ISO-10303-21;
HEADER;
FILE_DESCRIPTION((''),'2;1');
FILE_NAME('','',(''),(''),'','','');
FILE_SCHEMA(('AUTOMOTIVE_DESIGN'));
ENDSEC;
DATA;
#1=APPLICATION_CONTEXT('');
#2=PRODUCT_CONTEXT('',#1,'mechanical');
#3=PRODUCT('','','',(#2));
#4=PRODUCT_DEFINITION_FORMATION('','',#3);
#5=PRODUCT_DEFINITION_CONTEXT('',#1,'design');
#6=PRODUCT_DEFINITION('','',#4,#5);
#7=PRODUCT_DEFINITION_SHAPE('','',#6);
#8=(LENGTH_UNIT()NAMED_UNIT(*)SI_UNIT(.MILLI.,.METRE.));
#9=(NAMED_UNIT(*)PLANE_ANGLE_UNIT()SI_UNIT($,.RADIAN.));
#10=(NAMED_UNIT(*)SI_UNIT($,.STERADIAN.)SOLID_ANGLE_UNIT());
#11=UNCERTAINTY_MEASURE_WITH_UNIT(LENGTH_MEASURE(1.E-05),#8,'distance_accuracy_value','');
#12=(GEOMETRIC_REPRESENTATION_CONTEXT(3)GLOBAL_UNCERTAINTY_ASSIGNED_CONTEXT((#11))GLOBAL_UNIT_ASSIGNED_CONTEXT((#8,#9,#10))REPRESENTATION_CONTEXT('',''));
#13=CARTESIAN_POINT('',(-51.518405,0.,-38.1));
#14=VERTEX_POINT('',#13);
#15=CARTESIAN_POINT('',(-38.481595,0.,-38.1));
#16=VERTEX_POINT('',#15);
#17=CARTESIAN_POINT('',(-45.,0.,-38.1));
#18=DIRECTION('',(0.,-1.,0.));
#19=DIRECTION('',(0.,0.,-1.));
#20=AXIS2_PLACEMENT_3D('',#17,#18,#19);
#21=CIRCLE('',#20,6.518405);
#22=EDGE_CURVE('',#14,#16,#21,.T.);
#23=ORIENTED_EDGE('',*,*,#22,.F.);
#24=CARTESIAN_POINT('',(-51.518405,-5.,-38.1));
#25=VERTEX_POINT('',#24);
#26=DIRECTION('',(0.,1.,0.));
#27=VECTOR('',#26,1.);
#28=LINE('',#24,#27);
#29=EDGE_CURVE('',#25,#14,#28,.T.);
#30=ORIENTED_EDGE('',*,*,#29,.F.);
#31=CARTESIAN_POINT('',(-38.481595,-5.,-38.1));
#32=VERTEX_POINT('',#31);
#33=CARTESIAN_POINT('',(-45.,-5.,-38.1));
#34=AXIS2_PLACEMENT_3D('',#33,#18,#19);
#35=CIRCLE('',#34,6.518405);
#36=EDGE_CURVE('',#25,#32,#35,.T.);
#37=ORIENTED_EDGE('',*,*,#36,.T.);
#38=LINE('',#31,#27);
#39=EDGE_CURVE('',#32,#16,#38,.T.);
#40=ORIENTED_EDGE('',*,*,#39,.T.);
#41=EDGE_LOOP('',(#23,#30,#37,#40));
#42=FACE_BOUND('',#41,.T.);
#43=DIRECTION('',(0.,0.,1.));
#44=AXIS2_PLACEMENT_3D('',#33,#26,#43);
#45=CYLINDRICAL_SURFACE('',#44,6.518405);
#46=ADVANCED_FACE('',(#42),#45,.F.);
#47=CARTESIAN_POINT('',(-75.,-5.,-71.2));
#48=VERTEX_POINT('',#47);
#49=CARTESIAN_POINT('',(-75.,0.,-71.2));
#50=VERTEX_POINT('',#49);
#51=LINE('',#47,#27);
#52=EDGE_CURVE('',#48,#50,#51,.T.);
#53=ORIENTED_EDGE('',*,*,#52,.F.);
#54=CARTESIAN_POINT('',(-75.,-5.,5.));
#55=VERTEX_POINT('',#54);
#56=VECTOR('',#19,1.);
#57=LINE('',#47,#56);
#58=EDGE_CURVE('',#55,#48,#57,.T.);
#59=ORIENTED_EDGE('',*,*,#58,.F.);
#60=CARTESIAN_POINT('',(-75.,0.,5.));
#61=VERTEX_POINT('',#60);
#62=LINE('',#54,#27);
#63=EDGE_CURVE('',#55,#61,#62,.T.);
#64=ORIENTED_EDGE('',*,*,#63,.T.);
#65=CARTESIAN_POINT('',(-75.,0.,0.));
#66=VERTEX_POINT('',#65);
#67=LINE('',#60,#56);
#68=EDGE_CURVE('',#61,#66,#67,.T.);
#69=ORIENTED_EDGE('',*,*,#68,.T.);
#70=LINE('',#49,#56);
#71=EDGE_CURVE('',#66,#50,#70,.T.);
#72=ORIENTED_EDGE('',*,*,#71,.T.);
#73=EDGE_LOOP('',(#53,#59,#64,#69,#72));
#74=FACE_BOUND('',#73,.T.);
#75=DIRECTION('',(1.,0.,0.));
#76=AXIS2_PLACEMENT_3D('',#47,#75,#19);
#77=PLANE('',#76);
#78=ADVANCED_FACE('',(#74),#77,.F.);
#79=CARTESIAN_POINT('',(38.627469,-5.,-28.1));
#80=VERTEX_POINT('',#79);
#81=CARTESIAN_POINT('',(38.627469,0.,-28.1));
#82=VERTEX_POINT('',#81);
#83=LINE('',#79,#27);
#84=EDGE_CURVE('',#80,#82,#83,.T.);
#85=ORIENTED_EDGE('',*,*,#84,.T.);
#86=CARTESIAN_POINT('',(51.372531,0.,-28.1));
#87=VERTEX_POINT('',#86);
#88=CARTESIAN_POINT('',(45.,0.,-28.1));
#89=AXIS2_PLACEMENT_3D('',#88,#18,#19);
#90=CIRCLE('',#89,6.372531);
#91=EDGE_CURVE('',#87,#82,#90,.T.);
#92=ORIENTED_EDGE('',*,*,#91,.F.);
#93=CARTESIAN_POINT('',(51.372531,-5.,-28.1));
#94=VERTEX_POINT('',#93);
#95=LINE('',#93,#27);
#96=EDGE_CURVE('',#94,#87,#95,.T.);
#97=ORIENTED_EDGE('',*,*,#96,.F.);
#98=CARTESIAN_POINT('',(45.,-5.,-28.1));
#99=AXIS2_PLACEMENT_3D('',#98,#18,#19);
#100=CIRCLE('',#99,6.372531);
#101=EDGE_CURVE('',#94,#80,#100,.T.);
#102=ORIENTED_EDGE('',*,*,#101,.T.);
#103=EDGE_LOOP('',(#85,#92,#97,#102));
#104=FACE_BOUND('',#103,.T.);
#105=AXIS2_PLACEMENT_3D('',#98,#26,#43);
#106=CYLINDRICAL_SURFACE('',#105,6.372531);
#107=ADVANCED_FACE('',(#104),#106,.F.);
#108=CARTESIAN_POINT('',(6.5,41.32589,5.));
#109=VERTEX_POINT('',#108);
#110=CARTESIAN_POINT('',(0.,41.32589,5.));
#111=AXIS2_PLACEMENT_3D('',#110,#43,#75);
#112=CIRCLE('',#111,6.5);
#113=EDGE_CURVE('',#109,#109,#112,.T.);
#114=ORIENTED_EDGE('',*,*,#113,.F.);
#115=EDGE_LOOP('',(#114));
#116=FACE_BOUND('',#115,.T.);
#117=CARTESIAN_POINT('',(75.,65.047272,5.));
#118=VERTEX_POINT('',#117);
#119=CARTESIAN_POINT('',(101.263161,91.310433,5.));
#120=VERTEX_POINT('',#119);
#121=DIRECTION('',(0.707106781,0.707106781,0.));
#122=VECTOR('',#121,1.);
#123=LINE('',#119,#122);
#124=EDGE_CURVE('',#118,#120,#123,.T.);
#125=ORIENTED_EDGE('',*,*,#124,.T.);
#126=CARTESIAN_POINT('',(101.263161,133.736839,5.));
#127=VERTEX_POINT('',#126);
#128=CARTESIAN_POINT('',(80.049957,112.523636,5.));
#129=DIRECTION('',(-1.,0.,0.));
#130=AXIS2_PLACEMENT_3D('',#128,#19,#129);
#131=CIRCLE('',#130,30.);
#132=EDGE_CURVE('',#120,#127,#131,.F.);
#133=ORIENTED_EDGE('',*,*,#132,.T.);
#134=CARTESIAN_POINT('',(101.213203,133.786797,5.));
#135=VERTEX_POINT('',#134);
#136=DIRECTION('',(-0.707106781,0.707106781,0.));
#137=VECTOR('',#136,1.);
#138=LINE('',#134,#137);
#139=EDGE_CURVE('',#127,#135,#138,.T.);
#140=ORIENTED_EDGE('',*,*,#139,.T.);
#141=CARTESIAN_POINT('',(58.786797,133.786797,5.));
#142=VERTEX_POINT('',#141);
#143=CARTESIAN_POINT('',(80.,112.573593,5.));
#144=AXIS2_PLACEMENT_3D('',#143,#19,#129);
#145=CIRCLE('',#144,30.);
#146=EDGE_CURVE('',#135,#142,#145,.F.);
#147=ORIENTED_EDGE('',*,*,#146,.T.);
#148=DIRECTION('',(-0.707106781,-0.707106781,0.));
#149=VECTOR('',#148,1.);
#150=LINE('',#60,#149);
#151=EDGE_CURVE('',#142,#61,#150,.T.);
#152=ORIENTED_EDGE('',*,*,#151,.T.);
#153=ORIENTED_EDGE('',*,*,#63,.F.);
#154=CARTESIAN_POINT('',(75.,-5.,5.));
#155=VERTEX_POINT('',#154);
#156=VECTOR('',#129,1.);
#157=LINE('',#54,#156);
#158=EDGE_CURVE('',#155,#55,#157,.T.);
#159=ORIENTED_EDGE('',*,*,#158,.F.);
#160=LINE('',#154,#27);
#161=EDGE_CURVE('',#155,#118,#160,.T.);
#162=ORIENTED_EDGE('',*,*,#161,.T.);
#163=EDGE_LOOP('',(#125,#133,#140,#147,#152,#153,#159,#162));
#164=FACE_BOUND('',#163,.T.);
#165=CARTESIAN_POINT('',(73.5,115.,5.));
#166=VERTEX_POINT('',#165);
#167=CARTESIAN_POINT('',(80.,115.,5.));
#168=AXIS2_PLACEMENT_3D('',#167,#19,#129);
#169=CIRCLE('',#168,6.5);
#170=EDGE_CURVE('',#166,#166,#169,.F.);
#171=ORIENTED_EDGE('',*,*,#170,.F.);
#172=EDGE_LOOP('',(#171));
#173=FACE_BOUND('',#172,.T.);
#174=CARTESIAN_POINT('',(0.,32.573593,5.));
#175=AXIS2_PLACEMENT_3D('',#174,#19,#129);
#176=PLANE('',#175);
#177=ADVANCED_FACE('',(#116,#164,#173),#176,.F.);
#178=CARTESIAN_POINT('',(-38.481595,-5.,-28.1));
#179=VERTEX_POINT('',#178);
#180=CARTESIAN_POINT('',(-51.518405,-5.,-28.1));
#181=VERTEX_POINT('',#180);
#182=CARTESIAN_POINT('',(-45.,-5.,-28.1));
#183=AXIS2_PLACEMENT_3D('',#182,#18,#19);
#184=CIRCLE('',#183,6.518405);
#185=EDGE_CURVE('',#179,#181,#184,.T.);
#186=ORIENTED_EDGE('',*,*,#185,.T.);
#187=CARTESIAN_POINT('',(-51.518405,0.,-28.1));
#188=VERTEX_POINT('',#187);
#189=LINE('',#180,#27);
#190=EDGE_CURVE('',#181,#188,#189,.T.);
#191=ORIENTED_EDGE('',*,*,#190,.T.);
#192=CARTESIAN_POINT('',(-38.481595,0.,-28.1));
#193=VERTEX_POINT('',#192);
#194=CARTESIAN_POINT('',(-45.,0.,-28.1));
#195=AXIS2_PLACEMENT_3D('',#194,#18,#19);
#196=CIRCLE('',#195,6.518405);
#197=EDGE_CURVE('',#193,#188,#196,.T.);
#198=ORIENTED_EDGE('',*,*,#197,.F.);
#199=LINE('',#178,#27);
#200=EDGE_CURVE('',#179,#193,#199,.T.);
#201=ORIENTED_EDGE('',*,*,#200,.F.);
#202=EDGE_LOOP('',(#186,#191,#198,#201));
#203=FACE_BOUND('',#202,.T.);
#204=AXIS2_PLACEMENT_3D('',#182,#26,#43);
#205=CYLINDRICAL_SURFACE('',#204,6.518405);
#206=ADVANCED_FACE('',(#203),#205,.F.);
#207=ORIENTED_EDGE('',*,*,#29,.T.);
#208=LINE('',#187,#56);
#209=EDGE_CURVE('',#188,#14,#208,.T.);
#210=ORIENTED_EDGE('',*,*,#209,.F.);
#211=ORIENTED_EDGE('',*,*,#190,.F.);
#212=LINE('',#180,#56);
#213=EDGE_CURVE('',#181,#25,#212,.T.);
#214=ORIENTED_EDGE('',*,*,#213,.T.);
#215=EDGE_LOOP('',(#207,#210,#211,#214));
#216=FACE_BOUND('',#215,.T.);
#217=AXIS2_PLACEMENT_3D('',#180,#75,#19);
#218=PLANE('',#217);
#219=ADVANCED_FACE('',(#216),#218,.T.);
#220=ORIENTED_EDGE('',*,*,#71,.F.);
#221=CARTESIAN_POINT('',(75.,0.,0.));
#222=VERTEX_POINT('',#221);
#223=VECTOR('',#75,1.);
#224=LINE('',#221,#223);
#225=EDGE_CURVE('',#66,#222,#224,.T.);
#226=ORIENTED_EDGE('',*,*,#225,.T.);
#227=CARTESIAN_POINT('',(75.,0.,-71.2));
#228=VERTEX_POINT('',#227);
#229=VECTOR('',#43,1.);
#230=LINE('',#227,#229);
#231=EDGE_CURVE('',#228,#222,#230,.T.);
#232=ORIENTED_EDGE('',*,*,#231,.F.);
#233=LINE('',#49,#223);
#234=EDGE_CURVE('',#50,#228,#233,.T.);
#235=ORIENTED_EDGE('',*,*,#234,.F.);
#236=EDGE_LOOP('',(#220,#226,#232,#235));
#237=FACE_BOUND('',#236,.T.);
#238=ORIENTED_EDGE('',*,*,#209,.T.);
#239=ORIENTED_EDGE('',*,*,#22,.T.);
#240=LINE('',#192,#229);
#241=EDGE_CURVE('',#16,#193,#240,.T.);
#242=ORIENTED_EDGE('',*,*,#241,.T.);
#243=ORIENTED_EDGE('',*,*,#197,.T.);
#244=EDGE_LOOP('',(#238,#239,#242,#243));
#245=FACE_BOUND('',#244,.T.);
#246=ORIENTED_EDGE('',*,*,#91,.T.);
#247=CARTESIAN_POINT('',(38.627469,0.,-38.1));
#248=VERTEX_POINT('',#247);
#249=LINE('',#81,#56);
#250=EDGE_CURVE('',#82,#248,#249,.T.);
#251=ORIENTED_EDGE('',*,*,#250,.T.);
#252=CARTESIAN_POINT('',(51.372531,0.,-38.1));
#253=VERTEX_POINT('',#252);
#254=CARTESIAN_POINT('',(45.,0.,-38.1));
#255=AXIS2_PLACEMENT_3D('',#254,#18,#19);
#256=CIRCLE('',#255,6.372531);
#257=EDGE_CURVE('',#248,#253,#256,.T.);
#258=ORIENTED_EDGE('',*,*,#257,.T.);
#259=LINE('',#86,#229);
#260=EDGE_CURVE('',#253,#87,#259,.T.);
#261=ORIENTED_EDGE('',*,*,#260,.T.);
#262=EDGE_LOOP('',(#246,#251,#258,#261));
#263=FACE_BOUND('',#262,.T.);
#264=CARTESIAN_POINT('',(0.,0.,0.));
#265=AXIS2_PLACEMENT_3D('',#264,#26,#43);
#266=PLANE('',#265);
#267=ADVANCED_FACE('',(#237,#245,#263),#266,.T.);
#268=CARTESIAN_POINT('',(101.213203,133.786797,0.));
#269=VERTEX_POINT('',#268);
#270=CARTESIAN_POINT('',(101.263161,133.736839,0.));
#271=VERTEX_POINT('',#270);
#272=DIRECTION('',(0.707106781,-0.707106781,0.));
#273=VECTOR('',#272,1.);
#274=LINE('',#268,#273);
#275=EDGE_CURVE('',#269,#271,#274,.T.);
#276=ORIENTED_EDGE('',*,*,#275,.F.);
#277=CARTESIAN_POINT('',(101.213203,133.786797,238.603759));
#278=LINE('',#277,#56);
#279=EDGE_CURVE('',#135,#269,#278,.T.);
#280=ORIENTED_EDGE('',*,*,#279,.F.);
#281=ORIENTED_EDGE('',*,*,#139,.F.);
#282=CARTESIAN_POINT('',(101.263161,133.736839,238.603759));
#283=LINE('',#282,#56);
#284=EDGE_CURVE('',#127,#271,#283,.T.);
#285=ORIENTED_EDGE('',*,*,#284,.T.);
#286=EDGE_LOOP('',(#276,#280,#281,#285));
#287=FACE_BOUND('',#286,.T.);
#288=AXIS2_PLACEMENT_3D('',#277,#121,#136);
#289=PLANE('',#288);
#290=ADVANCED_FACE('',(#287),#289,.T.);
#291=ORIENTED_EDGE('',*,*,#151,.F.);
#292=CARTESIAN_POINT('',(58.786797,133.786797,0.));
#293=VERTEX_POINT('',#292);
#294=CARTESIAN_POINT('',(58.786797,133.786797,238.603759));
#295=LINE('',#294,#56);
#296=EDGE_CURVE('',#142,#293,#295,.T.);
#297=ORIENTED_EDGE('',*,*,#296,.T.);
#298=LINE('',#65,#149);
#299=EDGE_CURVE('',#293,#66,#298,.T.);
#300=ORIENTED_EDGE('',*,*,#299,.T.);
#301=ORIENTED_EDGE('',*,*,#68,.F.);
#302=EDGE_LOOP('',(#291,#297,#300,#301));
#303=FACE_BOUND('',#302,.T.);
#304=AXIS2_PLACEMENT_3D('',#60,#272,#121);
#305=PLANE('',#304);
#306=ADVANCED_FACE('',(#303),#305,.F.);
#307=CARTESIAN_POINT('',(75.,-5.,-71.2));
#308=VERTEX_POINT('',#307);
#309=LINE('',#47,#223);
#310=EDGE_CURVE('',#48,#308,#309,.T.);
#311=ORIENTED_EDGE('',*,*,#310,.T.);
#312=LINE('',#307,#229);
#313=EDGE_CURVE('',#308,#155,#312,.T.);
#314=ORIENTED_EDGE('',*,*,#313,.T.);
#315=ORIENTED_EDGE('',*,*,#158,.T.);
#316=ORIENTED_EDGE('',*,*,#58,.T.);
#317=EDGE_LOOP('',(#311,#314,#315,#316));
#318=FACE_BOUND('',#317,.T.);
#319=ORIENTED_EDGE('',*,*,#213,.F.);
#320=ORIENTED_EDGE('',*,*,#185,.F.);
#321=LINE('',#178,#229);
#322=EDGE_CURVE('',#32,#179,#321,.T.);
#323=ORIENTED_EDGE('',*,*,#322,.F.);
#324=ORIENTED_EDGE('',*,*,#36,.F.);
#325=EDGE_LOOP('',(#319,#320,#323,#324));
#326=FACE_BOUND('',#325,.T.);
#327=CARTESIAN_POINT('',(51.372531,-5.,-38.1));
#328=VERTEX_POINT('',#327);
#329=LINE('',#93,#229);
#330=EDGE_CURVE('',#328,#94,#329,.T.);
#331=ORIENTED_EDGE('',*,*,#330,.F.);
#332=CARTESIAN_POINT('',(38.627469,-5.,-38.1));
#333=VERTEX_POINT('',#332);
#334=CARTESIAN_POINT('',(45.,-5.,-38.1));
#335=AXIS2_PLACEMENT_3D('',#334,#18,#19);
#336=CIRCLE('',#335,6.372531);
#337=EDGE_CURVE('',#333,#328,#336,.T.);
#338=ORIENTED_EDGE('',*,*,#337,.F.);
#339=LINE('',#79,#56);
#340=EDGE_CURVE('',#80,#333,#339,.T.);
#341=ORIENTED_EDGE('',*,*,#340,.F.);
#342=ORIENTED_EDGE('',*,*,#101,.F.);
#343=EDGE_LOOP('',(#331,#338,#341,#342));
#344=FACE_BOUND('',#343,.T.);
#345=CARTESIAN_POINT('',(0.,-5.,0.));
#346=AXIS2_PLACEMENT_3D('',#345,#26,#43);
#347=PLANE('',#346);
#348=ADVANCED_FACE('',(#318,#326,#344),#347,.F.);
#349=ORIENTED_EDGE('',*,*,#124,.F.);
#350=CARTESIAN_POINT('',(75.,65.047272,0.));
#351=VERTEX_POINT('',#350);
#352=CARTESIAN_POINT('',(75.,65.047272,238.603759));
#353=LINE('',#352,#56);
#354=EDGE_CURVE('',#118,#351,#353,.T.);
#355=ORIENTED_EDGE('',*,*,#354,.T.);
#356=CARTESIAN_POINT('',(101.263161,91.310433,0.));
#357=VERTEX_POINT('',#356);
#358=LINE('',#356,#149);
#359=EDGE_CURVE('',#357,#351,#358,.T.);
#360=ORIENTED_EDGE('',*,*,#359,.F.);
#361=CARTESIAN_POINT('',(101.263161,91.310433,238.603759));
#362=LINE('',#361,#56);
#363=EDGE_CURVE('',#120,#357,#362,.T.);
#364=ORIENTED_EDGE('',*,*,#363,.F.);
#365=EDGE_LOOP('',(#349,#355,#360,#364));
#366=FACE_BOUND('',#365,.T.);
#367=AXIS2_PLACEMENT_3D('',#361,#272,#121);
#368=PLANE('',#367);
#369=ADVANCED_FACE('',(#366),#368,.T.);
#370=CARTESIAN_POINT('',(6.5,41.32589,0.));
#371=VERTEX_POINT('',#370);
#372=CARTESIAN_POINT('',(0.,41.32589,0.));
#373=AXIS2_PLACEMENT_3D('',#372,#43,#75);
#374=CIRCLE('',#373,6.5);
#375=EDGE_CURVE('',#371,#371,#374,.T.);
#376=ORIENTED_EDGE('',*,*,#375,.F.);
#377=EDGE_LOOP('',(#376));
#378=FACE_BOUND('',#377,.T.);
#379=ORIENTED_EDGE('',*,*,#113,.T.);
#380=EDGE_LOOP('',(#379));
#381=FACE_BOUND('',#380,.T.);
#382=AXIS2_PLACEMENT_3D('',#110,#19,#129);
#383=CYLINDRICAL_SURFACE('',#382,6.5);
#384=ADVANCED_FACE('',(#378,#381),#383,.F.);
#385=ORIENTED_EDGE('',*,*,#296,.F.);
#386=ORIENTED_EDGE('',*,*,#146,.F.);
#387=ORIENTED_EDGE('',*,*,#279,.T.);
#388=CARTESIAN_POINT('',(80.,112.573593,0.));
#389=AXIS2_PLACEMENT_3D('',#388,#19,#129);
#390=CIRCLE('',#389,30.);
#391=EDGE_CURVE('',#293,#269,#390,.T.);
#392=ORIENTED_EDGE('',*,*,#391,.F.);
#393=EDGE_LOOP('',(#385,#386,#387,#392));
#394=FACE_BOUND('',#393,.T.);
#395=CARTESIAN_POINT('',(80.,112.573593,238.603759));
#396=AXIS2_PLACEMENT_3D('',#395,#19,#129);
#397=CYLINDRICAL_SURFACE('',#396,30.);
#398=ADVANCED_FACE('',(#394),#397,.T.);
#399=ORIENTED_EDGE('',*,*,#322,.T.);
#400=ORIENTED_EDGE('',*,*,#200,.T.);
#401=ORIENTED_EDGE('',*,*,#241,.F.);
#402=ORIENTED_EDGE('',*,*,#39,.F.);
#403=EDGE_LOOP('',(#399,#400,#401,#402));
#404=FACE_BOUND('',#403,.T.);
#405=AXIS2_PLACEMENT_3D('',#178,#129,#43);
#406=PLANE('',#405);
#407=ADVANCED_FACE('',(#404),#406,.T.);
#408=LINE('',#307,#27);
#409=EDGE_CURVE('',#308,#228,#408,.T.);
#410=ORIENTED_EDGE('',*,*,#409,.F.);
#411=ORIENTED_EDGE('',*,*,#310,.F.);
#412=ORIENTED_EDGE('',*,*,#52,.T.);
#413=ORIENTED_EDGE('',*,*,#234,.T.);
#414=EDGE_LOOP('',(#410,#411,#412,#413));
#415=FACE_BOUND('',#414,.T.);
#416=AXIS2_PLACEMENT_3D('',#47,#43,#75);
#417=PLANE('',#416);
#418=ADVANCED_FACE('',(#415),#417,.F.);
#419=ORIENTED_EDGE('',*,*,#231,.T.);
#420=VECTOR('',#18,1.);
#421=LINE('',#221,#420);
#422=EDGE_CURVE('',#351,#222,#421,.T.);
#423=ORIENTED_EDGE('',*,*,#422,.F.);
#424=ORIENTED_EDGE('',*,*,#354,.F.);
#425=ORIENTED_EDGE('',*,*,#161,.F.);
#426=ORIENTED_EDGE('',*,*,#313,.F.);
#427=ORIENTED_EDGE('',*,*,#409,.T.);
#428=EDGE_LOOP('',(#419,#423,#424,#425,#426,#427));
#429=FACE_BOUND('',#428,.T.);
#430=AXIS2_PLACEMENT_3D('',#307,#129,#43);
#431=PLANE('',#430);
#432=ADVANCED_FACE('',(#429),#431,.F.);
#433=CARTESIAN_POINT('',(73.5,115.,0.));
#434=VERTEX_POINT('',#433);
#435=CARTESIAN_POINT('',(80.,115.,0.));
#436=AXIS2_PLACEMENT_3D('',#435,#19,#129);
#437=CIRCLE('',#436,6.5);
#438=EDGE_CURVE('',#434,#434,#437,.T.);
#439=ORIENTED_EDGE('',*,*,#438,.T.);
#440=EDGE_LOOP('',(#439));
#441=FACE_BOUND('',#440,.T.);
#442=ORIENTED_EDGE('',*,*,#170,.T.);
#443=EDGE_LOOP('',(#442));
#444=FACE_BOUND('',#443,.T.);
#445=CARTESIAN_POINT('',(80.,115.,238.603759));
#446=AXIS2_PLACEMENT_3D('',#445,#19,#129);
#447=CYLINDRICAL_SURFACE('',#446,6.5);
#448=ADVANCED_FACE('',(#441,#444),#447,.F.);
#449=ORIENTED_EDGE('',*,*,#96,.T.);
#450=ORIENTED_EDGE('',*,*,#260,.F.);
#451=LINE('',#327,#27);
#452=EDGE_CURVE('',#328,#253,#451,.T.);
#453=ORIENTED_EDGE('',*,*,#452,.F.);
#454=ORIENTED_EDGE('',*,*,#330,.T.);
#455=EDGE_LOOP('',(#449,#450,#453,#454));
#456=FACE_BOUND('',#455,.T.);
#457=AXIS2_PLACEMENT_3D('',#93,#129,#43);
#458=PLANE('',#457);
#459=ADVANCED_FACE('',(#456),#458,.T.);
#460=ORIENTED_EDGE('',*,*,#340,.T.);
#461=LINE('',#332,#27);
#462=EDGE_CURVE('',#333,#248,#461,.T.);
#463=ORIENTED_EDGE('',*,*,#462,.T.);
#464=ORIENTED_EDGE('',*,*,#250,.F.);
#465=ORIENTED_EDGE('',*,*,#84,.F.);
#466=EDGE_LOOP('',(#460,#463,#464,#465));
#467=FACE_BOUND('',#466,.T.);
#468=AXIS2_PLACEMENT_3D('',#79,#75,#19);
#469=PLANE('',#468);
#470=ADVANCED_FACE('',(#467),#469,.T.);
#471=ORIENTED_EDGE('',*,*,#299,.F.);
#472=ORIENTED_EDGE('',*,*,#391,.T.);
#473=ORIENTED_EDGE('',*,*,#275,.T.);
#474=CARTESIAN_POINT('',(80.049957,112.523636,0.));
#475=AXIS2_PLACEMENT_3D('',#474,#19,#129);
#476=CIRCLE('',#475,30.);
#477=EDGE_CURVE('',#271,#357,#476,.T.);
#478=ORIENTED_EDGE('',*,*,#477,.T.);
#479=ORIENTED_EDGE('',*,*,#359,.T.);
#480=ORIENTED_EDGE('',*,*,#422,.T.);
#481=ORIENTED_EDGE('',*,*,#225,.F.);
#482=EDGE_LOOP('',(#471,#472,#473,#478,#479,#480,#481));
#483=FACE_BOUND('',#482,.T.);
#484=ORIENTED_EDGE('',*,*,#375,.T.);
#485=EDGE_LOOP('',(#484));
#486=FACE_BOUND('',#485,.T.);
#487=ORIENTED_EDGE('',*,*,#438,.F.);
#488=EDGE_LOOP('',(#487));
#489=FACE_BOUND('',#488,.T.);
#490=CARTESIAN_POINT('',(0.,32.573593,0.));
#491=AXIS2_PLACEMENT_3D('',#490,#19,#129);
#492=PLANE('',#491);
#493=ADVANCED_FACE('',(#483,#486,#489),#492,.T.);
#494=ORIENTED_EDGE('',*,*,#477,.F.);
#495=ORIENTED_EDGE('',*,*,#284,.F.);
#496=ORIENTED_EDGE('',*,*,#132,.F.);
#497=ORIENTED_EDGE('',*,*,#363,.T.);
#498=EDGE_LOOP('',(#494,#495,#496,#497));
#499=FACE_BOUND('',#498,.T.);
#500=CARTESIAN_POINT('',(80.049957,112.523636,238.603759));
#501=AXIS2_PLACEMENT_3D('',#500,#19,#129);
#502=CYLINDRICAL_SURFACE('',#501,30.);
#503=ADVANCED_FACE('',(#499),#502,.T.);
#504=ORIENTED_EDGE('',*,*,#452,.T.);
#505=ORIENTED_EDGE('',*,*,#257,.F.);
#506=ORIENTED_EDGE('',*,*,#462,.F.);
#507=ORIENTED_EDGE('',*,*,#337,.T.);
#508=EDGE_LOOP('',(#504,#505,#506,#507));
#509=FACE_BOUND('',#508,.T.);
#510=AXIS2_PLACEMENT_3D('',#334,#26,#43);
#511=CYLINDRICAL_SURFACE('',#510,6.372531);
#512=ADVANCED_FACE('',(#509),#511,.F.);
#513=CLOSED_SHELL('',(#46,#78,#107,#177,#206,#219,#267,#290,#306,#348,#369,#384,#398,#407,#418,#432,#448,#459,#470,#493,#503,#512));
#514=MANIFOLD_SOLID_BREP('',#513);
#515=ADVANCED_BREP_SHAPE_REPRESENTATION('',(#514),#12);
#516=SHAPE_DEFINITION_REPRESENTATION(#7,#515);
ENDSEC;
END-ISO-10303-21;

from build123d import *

# Parameters (mm, degrees)
CROQUIS1_R              = 6.5
SALIENTE_EXTRUIR1_DEPTH = 5
CROQUIS2_W              = 150
CROQUIS2_H              = 76.2
SALIENTE_EXTRUIR2_DEPTH = 5
CROQUIS3_R              = 6.5
CROQUIS3_R_2            = 10
SALIENTE_EXTRUIR3_DEPTH = 5


with BuildPart() as part:
    # Croquis1 → Saliente-Extruir1 (new body)
    with BuildSketch(Plane.XY):
        with BuildLine():
            Line((75, 0), (-75, 0))
            Line((-75, 0), (-21.213203436, 53.786796564))
            ThreePointArc((-21.213203436, 53.786796564), (0, 62.573593129), (21.213203436, 53.786796564))
            Line((21.213203436, 53.786796564), (75, 0))
        make_face()
        with Locations((0, 41.325890401)):
            Circle(CROQUIS1_R, mode=Mode.SUBTRACT)
    extrude(amount=SALIENTE_EXTRUIR1_DEPTH)

    # Croquis2 → Saliente-Extruir2 (add)
    with BuildSketch(Plane.XZ):
        with Locations((0, -33.1)):
            Rectangle(CROQUIS2_W, CROQUIS2_H)
        with BuildLine():
            Line((-38.481595315, -28.1), (-38.481595315, -38.1))
            ThreePointArc((-38.481595315, -38.1), (-45, -44.618404685), (-51.518404685, -38.1))
            Line((-51.518404685, -38.1), (-51.518404685, -28.1))
            ThreePointArc((-51.518404685, -28.1), (-45, -21.581595315), (-38.481595315, -28.1))
        make_face(mode=Mode.SUBTRACT)
        with BuildLine():
            Line((51.37253144, -28.1), (51.37253144, -38.1))
            ThreePointArc((51.37253144, -38.1), (45, -44.47253144), (38.62746856, -38.1))
            Line((38.62746856, -38.1), (38.62746856, -28.1))
            ThreePointArc((38.62746856, -28.1), (45, -21.72746856), (51.37253144, -28.1))
        make_face(mode=Mode.SUBTRACT)
    extrude(amount=SALIENTE_EXTRUIR2_DEPTH)

    # Croquis3 → Saliente-Extruir3 (add)
    with BuildSketch(Plane(origin=(0, 0, 0), x_dir=(-1, 0, 0), z_dir=(0, 0, -1))):
        with BuildLine():
            Line((75, 0), (-58.786796564, 133.786796564))
            ThreePointArc((-58.786796564, 133.786796564), (-80, 142.573593129), (-101.213203436, 133.786796564))
            Line((-101.213203436, 133.786796564), (-101.263160567, 133.736839433))
            ThreePointArc((-101.263160567, 133.736839433), (-110.049957131, 112.523635998), (-101.263160567, 91.310432562))
            Line((-101.263160567, 91.310432562), (-75, 65.047271996))
            Line((-75, 65.047271996), (-75, 0))
            Line((-75, 0), (75, 0))
        make_face()
        with Locations((-80, 115)):
            Circle(CROQUIS3_R, mode=Mode.SUBTRACT)
        with Locations((0, 41.325890401)):
            Circle(CROQUIS3_R_2, mode=Mode.SUBTRACT)
    extrude(amount=-SALIENTE_EXTRUIR3_DEPTH)


solid = part.part
